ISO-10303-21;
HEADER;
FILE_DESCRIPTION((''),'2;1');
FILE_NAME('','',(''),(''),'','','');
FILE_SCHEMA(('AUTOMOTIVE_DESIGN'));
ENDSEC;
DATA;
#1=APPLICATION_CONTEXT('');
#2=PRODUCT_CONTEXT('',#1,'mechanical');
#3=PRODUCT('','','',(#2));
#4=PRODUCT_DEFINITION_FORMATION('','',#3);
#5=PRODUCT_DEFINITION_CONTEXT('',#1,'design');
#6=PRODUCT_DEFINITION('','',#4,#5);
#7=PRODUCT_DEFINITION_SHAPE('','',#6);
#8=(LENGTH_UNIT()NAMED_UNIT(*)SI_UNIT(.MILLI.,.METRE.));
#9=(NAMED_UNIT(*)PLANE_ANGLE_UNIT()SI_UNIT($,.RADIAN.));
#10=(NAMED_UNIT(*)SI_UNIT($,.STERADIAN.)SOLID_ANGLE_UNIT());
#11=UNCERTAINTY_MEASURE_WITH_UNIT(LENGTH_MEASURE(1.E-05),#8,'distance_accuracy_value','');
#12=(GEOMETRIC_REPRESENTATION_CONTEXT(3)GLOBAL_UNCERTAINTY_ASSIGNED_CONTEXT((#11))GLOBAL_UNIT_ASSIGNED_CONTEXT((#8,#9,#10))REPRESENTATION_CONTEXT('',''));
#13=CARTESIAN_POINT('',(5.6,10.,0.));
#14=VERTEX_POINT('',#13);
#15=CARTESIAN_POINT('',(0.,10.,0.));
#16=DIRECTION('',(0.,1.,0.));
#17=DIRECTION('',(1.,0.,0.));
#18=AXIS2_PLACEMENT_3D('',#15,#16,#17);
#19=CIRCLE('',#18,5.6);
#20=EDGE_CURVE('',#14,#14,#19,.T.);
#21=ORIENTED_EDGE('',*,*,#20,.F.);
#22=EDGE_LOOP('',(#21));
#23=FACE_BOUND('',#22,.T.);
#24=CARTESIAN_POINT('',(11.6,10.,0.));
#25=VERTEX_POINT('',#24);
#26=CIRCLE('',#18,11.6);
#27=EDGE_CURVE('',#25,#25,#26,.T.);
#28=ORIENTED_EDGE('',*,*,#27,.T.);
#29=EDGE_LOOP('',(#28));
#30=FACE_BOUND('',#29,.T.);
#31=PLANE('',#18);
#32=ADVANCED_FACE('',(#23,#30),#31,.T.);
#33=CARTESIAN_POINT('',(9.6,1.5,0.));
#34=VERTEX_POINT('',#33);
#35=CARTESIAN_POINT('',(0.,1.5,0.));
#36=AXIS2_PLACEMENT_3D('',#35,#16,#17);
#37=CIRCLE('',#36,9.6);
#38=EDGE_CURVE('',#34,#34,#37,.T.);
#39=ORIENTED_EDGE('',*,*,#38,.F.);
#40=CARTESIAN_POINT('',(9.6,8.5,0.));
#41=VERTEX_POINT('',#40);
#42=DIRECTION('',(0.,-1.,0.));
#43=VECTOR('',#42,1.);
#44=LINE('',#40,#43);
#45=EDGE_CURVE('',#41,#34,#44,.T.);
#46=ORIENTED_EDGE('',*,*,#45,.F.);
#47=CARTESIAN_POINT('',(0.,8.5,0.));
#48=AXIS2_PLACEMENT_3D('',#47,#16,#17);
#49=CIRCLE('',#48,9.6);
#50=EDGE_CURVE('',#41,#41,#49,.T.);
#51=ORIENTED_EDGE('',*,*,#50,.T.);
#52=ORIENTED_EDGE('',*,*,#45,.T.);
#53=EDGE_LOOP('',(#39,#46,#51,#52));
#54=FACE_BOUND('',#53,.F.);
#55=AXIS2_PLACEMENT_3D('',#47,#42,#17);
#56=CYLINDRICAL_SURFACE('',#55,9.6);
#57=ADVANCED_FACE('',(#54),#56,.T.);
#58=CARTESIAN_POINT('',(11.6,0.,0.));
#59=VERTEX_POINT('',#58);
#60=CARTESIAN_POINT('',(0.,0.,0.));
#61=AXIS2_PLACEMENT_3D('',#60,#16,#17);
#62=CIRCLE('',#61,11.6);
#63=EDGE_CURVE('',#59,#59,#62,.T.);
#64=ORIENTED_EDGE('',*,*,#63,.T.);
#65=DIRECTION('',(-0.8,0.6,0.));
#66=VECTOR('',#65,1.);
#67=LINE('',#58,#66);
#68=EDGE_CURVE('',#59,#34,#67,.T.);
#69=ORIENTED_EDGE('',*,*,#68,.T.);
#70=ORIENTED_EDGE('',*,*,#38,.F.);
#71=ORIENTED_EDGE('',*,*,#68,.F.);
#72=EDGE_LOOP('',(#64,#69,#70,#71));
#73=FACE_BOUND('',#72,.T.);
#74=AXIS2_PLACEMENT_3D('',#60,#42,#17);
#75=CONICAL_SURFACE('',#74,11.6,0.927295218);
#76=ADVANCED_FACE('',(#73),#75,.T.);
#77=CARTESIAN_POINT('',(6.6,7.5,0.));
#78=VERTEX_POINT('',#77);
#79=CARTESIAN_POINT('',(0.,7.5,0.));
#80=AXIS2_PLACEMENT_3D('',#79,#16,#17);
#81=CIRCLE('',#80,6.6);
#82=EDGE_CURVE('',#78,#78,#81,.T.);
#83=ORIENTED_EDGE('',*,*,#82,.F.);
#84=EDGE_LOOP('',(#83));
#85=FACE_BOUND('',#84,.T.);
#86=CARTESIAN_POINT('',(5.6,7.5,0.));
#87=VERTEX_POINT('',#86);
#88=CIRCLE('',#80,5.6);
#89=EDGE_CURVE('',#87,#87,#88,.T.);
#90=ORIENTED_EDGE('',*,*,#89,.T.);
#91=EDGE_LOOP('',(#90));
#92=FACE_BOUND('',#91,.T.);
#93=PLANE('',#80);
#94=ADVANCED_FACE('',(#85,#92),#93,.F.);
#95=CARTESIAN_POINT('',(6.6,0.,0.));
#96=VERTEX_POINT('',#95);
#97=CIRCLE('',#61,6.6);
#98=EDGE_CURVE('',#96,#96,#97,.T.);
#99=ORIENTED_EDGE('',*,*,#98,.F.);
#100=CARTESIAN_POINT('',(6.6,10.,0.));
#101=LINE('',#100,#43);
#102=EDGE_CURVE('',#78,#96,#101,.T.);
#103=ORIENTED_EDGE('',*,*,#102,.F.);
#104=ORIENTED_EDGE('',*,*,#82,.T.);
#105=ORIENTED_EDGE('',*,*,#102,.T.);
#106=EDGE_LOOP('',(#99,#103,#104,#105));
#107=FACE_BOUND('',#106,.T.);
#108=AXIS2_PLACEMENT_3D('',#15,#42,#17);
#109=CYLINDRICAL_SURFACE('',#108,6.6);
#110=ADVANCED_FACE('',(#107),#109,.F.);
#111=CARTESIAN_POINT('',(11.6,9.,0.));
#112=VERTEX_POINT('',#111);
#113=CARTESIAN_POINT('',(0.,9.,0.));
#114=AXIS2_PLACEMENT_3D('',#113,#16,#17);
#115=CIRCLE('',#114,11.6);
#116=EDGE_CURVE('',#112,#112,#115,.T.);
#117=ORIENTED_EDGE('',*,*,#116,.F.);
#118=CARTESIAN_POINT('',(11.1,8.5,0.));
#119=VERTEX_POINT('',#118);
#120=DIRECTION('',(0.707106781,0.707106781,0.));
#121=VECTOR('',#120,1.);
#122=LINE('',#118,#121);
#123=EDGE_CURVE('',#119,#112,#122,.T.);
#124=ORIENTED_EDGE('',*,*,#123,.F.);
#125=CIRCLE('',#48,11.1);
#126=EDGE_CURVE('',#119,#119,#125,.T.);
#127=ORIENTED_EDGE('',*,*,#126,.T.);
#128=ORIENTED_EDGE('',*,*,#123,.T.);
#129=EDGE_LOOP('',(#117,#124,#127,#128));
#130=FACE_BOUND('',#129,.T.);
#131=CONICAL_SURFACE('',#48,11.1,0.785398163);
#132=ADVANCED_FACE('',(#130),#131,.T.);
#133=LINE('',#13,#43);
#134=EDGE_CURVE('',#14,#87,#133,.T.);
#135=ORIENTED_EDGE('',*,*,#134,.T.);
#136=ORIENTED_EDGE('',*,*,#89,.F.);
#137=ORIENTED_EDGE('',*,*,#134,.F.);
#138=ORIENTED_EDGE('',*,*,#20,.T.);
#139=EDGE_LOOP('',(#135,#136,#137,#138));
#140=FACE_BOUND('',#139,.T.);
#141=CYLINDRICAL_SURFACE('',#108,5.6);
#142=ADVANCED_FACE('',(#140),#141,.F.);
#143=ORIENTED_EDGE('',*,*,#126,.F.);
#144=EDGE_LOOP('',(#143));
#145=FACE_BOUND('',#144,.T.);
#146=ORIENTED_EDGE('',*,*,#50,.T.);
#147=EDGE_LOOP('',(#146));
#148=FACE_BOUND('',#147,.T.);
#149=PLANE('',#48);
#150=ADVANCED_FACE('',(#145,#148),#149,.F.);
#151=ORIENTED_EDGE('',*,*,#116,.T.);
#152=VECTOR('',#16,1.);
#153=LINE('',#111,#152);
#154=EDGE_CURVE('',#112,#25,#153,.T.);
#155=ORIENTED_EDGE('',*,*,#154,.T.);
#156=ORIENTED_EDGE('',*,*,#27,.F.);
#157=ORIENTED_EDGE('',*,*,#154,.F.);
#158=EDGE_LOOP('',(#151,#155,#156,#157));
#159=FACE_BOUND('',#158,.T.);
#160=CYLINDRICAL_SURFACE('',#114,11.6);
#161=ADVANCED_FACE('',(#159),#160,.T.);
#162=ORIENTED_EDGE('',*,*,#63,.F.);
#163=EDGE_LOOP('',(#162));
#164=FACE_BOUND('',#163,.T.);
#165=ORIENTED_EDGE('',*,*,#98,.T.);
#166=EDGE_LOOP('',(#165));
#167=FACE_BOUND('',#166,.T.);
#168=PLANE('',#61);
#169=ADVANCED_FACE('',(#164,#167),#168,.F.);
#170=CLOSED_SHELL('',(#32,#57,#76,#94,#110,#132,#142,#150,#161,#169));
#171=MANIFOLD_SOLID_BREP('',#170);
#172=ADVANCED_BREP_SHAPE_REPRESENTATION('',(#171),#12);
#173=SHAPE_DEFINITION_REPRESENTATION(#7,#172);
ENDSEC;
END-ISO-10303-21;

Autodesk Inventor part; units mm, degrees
ref_plane "YZ Plane" through (0, 0, 0) normal (1, 0, 0) x (0, 1, 0)
ref_plane "XZ Plane" through (0, 0, 0) normal (0, 1, 0) x (-1, 0, 0)
ref_plane "XY Plane" through (0, 0, 0) normal (0, 0, 1) x (1, 0, 0)
sketch "Sketch1" plane through (0, 0, 0) normal (0, 0, 1) x (1, 0, 0)
  line L0 (6.6, 0) -> (11.6, 0)
  line L1 (11.6, 0) -> (11.6, 10) construction
  line L2 (11.6, 10) -> (6.6, 10)
  line L3 (6.6, 10) -> (6.6, 0)
  line L4 (0, 0) -> (0, 8.5122) construction
  line L5 (9.6, 8.5) -> (9.6, 1.5)
  line L6 (9.6, 8.5) -> (11.1, 8.5)
  line L7 (11.1, 8.5) -> (11.6, 9)
  line L8 (11.6, 0) -> (9.6, 1.5)
  line L9 (11.6, 9) -> (11.6, 10)
  line L10 (6.6, 10) -> (5.6, 10)
  line L11 (5.6, 10) -> (5.6, 7.5)
  line L12 (5.6, 7.5) -> (6.6, 7.5)
  line L13 (6.6, 7.5) -> (6.6, 10)
  point P0 (11.6, 0.6699)
  point P1 (11.6, 5)
  point P2 (15.2143, 7.5754)
  point P3 (15.2143, 2.4246)
  point P4 (9.6, 5)
  point P5 (17.7886, 0.302)
  point P6 (6.6, 5)
  dimension "d6" = 10
  dimension "d7" = 6.6
  dimension "d14" = 5
  dimension "d17" = 7
  dimension "d18" = 1.5
  dimension "d19" = 135
  dimension "d20" = 2
  dimension "d21" = 1
  dimension "d22" = 2.5
revolve "Revolution1" add sketch "Sketch1" angle 360 about axis through (0, 0, 0) along (0, 1, 0)
properties part number "pully13mmx23mmx12mm"
